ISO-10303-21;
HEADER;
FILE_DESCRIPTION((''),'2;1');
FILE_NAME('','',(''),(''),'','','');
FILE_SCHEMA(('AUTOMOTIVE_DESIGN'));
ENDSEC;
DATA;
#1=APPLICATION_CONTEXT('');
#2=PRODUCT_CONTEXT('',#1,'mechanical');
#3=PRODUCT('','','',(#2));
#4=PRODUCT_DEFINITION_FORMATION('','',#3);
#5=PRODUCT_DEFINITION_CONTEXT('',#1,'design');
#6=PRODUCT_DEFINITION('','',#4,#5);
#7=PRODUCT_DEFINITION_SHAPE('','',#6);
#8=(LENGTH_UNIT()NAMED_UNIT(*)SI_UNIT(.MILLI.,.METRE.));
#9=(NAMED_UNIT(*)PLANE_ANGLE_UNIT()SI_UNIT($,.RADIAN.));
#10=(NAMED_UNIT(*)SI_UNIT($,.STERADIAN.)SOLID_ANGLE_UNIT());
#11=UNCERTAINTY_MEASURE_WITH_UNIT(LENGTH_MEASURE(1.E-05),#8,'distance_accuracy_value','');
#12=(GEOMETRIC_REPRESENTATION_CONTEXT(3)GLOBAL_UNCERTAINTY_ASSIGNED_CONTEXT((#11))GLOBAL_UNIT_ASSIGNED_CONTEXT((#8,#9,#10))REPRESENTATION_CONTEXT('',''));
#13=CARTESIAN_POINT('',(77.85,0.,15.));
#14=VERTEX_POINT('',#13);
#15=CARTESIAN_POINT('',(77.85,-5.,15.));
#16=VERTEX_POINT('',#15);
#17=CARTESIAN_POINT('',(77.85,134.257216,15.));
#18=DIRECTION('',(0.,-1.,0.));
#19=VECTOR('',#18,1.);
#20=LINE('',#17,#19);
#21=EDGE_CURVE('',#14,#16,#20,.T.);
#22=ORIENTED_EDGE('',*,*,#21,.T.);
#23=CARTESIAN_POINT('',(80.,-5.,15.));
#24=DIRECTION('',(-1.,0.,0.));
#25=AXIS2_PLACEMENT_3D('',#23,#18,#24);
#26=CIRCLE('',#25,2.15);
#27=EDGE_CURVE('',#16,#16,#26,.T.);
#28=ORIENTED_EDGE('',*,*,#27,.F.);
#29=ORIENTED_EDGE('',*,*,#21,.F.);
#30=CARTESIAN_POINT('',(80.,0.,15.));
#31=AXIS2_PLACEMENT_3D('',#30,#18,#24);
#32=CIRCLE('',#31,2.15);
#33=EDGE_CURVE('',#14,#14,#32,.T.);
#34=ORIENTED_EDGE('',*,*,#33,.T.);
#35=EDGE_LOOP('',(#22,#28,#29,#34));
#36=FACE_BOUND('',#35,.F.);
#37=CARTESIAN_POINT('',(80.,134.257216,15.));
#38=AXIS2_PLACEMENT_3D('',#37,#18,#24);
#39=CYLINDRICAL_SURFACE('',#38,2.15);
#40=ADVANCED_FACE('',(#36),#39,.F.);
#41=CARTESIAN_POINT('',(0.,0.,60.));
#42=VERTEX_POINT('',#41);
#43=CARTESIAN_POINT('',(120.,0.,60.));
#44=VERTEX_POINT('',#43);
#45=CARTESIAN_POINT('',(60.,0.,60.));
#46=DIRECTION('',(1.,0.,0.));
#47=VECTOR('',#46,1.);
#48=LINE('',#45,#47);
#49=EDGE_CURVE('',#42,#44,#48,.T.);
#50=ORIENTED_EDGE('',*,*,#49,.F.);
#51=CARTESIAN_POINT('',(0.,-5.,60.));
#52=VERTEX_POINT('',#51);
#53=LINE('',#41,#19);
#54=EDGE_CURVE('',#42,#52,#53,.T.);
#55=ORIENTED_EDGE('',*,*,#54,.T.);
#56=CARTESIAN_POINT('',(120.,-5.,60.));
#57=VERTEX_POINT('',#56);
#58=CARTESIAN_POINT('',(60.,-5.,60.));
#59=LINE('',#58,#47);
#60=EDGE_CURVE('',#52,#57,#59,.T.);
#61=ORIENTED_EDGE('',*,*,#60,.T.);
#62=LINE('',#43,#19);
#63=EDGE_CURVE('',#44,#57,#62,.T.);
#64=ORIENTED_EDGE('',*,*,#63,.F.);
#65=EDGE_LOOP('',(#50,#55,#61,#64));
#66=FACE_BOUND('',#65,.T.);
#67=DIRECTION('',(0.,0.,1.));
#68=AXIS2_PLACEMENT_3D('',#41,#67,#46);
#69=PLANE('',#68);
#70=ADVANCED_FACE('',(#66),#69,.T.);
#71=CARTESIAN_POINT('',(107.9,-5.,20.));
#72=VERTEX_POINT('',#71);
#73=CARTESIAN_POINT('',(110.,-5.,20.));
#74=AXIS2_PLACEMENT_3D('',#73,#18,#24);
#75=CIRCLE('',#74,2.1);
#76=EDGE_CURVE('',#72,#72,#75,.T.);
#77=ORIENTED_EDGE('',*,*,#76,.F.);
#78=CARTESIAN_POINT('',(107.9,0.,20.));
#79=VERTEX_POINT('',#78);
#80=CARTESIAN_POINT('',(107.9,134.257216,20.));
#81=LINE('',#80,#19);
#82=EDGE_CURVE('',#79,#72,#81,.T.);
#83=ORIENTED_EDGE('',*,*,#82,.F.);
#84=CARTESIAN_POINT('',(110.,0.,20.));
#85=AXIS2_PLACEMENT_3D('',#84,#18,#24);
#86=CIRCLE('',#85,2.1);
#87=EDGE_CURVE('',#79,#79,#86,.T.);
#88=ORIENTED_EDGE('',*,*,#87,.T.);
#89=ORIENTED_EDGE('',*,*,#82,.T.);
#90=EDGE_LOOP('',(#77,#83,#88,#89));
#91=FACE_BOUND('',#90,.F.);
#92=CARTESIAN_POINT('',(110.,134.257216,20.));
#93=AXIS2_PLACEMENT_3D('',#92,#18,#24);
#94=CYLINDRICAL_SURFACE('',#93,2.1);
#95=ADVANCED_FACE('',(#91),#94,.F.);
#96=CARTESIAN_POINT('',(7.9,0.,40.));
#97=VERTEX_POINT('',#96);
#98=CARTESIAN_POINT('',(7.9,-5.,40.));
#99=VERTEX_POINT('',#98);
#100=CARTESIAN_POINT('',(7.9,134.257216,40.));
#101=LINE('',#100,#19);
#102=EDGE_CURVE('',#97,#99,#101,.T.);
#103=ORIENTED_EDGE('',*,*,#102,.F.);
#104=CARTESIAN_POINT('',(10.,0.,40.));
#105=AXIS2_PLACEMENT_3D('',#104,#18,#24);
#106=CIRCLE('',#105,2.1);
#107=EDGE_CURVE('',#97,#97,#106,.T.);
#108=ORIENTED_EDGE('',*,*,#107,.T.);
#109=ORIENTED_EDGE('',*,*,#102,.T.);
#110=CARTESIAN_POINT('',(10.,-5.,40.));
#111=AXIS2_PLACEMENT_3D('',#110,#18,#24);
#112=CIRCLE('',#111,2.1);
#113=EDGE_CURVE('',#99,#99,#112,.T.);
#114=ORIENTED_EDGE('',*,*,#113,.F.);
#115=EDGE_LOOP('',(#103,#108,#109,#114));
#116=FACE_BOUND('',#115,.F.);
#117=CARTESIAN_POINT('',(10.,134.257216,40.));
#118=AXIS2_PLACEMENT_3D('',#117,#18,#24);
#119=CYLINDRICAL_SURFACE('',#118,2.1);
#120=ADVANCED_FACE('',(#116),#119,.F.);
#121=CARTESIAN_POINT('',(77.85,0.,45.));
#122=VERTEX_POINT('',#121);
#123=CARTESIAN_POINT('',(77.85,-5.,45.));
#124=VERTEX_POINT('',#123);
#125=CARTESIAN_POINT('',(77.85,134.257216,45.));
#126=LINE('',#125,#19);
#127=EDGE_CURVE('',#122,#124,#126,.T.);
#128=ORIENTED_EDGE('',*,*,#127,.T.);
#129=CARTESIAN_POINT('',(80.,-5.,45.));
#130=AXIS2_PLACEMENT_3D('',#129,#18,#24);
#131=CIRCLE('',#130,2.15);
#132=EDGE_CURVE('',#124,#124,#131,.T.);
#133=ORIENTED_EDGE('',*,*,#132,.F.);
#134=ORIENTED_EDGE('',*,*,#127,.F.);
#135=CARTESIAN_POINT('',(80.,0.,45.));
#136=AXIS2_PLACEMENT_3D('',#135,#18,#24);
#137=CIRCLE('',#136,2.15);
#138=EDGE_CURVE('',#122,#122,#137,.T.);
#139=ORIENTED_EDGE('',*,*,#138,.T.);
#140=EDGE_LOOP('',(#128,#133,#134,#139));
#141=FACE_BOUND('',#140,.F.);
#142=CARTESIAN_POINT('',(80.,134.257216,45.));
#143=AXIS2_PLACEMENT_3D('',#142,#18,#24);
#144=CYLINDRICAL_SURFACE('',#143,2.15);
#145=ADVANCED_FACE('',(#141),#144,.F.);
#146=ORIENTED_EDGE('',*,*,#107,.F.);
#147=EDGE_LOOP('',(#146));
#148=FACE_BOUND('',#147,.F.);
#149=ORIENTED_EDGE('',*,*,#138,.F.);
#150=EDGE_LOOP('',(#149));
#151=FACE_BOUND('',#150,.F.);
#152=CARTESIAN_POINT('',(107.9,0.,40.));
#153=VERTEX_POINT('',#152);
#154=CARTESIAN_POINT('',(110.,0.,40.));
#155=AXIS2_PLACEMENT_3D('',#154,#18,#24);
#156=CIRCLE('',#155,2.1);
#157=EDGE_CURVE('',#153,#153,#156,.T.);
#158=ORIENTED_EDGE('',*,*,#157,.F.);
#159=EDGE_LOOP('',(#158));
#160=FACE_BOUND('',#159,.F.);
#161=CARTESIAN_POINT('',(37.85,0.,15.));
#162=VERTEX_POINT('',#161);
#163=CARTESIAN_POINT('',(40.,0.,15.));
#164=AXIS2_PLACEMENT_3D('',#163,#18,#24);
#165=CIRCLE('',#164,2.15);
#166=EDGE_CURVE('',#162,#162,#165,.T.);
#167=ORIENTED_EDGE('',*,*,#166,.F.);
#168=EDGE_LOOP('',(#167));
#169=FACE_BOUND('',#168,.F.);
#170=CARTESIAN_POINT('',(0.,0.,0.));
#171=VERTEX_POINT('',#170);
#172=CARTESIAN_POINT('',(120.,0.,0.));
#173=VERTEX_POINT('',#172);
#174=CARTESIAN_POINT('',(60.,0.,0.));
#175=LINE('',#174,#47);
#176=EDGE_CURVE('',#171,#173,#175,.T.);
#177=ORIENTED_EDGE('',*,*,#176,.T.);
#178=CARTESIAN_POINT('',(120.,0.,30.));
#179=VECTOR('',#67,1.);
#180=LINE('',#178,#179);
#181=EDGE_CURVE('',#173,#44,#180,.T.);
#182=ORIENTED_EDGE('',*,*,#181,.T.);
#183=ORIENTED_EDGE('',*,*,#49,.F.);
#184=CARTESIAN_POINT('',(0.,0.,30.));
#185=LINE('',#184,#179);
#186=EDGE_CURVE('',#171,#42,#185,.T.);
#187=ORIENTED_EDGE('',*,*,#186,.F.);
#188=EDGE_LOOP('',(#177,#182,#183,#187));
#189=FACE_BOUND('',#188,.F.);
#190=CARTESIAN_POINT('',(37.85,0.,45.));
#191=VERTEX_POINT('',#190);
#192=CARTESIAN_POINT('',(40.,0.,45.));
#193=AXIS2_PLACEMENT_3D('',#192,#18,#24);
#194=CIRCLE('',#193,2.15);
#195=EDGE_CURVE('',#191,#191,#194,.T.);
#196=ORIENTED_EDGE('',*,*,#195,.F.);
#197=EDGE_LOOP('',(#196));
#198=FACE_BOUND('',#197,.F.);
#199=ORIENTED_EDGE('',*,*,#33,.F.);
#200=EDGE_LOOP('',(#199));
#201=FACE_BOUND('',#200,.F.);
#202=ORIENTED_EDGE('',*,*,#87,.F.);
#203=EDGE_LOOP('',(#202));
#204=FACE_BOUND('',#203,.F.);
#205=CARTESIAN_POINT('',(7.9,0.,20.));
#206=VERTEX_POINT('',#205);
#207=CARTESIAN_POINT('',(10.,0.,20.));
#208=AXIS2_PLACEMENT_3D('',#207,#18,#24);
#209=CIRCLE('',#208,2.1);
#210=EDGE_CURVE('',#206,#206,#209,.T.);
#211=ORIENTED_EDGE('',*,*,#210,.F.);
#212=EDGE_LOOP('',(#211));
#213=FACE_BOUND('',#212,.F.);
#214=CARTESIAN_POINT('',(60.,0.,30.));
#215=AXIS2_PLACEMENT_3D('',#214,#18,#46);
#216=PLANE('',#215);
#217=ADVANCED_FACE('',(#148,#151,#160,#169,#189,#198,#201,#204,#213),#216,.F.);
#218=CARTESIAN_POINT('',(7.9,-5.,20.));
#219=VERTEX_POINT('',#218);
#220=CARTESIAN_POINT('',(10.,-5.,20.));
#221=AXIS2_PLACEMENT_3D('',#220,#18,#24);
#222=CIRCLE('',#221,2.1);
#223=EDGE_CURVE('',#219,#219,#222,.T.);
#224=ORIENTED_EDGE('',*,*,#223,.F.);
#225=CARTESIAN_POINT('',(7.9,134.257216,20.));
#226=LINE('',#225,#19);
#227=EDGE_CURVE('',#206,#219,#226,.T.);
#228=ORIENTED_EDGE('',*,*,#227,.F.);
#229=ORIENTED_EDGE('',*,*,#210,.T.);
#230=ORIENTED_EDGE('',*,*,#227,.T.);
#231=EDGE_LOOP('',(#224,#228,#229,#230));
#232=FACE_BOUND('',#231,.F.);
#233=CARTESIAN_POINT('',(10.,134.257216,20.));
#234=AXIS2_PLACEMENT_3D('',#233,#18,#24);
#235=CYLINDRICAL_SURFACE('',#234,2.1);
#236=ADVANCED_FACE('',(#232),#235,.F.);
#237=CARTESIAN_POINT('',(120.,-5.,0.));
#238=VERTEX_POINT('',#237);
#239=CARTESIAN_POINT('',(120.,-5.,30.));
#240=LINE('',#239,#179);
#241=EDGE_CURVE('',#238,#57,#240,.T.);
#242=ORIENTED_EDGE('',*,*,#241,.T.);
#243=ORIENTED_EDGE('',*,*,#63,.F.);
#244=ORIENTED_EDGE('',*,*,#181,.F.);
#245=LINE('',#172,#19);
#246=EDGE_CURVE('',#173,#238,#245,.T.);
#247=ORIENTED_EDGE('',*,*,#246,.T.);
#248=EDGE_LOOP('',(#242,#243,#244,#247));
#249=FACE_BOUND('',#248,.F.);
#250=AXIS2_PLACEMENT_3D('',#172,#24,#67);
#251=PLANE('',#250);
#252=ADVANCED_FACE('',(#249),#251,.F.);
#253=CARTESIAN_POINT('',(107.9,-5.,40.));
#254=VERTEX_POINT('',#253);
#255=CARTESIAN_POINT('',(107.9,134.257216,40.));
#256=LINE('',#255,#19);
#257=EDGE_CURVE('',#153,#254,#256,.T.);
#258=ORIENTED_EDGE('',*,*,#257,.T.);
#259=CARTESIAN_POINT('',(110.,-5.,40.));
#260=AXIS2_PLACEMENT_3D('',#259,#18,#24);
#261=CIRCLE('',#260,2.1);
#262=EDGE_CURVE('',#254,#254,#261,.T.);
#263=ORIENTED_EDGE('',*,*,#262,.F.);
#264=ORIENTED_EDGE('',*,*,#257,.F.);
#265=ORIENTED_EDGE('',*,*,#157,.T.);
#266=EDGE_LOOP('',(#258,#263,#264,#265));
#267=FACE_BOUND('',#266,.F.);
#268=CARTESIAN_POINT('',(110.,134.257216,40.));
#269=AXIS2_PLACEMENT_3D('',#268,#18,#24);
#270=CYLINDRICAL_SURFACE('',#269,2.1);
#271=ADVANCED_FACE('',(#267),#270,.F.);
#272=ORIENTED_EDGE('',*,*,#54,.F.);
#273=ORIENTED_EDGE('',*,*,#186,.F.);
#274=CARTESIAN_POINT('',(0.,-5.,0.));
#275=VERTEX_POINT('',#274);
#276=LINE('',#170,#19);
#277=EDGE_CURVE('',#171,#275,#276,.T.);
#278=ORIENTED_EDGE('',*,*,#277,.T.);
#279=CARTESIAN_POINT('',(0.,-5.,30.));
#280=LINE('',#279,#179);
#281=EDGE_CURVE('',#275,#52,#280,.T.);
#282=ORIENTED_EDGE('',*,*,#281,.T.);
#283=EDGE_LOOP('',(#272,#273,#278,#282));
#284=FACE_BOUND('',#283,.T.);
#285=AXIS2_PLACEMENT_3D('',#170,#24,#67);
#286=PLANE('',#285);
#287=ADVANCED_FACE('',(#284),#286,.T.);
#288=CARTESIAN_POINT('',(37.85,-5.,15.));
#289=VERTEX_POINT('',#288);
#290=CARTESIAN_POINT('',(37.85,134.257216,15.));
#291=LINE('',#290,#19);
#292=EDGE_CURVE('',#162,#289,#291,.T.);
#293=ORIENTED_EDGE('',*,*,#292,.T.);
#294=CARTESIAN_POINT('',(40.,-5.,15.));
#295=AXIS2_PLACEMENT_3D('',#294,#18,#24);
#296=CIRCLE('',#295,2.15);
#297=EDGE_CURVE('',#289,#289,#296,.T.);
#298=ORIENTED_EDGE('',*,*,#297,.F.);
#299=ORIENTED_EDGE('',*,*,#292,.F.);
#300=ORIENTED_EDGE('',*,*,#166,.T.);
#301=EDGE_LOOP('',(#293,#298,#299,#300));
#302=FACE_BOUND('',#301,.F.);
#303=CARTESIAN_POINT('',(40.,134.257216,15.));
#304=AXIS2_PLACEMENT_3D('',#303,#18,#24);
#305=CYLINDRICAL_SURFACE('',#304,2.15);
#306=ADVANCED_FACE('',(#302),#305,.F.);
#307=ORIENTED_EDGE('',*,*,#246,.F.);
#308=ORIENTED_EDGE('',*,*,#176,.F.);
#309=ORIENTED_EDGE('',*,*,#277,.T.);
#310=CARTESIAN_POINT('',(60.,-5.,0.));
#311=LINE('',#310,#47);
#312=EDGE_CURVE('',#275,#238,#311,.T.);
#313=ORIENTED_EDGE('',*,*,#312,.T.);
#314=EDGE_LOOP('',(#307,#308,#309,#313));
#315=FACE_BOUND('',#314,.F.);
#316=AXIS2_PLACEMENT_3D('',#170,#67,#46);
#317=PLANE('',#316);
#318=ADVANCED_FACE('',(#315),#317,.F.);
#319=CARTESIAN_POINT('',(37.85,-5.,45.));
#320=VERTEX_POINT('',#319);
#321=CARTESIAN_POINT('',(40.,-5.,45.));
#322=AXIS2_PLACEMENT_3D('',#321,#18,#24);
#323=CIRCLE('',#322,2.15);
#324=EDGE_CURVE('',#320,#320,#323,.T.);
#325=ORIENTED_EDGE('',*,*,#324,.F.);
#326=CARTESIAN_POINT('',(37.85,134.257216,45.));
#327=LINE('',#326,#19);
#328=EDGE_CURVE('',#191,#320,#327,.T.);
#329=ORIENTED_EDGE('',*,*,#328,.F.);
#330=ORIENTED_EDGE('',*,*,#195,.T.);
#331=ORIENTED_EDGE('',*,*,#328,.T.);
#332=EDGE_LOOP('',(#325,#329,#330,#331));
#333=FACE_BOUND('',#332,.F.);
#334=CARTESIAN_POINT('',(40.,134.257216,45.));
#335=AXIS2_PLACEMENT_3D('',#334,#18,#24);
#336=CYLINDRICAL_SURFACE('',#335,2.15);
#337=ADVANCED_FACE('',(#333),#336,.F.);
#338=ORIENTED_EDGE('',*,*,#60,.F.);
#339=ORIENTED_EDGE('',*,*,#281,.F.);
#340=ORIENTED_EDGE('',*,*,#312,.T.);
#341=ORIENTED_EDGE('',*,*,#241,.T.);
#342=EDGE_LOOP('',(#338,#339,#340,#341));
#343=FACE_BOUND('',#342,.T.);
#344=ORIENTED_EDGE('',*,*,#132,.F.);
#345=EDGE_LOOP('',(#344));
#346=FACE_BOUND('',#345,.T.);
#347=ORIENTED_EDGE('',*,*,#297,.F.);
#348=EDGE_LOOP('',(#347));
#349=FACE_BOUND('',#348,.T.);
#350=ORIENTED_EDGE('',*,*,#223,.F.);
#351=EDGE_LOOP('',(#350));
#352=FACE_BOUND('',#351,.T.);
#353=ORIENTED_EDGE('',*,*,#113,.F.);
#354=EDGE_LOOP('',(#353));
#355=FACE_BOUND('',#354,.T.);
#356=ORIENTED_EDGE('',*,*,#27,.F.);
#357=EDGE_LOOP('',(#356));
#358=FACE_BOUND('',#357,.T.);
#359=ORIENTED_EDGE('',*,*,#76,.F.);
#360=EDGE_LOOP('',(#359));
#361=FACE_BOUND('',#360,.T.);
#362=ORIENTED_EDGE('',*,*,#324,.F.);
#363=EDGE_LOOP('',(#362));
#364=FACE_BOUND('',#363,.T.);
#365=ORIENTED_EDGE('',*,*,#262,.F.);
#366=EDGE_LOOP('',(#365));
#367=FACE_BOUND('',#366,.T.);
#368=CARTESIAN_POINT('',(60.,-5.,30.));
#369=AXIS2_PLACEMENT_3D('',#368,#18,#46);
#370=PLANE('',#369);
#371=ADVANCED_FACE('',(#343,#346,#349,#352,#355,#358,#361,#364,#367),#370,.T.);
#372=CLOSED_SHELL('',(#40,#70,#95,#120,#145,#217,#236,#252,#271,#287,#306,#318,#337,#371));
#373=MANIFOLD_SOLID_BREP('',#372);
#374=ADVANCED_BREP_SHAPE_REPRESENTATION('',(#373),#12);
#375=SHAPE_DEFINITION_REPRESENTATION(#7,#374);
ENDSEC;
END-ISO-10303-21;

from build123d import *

# Parameters (mm, degrees)
F0_W     = 120
F0_H     = 60
F1_DEPTH = 5
F3_D     = 4.2
F5_D     = 4.3


with BuildPart() as f1:
    # F0 (on Front) → F1 (new body)
    with BuildSketch(Plane.XZ):
        with Locations((60, 30)):
            Rectangle(F0_W, F0_H)
    extrude(amount=F1_DEPTH)

    # F3 (through all)
    with Locations(Plane(origin=(0, 0, 0), x_dir=(1, 0, 0), z_dir=(0, 1, 0))):
        with Locations((10, -40), (10, -20), (110, -20), (110, -40)):
            Hole(F3_D / 2)

    # F5 (through all)
    with Locations(Plane(origin=(0, 0, 0), x_dir=(1, 0, 0), z_dir=(0, 1, 0))):
        with Locations((40, -45), (40, -15), (80, -15), (80, -45)):
            Hole(F5_D / 2)


solid = f1.part
